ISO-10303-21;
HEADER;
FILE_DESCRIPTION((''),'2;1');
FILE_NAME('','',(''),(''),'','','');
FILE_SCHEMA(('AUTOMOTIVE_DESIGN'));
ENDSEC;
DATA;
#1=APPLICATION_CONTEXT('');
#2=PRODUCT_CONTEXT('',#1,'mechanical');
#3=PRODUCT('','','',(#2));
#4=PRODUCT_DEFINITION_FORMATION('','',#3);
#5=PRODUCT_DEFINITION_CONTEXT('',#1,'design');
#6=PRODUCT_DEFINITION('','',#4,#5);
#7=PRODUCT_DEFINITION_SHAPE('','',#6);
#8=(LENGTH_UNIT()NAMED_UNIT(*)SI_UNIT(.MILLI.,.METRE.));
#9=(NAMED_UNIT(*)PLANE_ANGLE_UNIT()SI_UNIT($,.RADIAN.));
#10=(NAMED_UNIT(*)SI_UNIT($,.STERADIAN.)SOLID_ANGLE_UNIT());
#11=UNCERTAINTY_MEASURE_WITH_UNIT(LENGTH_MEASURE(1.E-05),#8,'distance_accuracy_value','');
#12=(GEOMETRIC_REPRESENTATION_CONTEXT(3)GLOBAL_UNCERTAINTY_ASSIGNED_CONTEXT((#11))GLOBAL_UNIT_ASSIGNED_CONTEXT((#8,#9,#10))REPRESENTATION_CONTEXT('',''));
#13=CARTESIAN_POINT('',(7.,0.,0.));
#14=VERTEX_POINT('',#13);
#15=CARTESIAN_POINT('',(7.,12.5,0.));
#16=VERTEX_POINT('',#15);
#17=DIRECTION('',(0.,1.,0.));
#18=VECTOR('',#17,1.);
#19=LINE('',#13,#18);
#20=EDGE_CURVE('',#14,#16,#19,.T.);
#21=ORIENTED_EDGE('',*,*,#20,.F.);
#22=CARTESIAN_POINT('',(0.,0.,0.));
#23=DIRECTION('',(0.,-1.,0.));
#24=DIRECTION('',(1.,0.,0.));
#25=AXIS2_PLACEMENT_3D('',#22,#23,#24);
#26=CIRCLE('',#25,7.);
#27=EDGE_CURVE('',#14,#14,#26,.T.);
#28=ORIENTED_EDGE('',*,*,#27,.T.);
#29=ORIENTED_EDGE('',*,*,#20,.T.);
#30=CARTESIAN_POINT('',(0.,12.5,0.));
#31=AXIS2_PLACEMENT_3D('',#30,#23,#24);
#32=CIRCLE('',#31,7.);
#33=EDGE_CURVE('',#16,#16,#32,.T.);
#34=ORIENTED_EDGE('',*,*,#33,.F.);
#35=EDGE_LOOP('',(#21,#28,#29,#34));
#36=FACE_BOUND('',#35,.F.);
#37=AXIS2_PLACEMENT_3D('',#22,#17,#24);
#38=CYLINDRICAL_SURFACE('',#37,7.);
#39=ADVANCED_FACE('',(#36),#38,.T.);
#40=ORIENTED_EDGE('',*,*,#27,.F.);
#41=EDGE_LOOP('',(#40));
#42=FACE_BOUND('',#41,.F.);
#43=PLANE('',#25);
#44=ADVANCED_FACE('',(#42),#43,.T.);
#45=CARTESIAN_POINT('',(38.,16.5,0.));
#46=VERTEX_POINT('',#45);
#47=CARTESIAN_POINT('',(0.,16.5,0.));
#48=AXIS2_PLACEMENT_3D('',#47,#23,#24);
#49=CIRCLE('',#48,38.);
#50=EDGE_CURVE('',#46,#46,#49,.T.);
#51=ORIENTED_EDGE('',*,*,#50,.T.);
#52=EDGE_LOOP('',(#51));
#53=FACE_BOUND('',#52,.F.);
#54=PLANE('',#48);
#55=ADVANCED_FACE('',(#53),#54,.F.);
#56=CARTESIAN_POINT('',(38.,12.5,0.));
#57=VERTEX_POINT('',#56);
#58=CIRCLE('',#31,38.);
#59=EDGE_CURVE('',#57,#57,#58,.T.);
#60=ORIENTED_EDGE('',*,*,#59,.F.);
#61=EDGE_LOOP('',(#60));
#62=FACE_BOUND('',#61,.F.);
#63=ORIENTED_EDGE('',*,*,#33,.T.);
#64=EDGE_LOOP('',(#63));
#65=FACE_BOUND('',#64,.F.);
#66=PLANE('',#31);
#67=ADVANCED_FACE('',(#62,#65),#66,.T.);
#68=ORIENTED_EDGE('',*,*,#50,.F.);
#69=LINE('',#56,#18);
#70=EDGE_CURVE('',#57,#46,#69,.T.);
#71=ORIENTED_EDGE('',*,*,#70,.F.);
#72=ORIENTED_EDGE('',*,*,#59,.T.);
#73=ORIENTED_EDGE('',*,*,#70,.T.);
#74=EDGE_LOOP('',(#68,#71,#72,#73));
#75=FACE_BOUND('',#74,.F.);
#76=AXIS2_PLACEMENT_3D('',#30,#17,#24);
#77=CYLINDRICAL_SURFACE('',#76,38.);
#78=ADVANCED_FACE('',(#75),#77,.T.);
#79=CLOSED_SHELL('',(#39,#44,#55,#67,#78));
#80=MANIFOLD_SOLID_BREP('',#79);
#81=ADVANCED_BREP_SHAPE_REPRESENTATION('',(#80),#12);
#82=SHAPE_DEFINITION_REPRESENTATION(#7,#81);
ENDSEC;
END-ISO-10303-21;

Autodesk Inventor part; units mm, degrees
ref_plane "YZ Plane" through (0, 0, 0) normal (1, 0, 0) x (0, 1, 0)
ref_plane "XZ Plane" through (0, 0, 0) normal (0, 1, 0) x (-1, 0, 0)
ref_plane "XY Plane" through (0, 0, 0) normal (0, 0, 1) x (1, 0, 0)
sketch "Sketch1" plane through (0, 0, 0) normal (0, 0, 1) x (1, 0, 0)
  line L0 (0, 0) -> (7, 0)
  line L1 (7, 0) -> (7, 12.5)
  line L2 (7, 12.5) -> (0, 12.5)
  line L3 (0, 12.5) -> (0, 0)
  line L4 (0, 12.5) -> (38, 12.5)
  line L5 (38, 12.5) -> (38, 16.5)
  line L6 (38, 16.5) -> (0, 16.5)
  line L7 (0, 16.5) -> (0, 12.5)
  dimension "d0" = 7
  dimension "d1" = 12.5
  dimension "d2" = 38
  dimension "d3" = 4
revolve "Revolution1" add sketch "Sketch1" angle 360 about axis through (0, 16.5, 0) along (0, -1, 0)
properties part number "Motor_and_rotor"
